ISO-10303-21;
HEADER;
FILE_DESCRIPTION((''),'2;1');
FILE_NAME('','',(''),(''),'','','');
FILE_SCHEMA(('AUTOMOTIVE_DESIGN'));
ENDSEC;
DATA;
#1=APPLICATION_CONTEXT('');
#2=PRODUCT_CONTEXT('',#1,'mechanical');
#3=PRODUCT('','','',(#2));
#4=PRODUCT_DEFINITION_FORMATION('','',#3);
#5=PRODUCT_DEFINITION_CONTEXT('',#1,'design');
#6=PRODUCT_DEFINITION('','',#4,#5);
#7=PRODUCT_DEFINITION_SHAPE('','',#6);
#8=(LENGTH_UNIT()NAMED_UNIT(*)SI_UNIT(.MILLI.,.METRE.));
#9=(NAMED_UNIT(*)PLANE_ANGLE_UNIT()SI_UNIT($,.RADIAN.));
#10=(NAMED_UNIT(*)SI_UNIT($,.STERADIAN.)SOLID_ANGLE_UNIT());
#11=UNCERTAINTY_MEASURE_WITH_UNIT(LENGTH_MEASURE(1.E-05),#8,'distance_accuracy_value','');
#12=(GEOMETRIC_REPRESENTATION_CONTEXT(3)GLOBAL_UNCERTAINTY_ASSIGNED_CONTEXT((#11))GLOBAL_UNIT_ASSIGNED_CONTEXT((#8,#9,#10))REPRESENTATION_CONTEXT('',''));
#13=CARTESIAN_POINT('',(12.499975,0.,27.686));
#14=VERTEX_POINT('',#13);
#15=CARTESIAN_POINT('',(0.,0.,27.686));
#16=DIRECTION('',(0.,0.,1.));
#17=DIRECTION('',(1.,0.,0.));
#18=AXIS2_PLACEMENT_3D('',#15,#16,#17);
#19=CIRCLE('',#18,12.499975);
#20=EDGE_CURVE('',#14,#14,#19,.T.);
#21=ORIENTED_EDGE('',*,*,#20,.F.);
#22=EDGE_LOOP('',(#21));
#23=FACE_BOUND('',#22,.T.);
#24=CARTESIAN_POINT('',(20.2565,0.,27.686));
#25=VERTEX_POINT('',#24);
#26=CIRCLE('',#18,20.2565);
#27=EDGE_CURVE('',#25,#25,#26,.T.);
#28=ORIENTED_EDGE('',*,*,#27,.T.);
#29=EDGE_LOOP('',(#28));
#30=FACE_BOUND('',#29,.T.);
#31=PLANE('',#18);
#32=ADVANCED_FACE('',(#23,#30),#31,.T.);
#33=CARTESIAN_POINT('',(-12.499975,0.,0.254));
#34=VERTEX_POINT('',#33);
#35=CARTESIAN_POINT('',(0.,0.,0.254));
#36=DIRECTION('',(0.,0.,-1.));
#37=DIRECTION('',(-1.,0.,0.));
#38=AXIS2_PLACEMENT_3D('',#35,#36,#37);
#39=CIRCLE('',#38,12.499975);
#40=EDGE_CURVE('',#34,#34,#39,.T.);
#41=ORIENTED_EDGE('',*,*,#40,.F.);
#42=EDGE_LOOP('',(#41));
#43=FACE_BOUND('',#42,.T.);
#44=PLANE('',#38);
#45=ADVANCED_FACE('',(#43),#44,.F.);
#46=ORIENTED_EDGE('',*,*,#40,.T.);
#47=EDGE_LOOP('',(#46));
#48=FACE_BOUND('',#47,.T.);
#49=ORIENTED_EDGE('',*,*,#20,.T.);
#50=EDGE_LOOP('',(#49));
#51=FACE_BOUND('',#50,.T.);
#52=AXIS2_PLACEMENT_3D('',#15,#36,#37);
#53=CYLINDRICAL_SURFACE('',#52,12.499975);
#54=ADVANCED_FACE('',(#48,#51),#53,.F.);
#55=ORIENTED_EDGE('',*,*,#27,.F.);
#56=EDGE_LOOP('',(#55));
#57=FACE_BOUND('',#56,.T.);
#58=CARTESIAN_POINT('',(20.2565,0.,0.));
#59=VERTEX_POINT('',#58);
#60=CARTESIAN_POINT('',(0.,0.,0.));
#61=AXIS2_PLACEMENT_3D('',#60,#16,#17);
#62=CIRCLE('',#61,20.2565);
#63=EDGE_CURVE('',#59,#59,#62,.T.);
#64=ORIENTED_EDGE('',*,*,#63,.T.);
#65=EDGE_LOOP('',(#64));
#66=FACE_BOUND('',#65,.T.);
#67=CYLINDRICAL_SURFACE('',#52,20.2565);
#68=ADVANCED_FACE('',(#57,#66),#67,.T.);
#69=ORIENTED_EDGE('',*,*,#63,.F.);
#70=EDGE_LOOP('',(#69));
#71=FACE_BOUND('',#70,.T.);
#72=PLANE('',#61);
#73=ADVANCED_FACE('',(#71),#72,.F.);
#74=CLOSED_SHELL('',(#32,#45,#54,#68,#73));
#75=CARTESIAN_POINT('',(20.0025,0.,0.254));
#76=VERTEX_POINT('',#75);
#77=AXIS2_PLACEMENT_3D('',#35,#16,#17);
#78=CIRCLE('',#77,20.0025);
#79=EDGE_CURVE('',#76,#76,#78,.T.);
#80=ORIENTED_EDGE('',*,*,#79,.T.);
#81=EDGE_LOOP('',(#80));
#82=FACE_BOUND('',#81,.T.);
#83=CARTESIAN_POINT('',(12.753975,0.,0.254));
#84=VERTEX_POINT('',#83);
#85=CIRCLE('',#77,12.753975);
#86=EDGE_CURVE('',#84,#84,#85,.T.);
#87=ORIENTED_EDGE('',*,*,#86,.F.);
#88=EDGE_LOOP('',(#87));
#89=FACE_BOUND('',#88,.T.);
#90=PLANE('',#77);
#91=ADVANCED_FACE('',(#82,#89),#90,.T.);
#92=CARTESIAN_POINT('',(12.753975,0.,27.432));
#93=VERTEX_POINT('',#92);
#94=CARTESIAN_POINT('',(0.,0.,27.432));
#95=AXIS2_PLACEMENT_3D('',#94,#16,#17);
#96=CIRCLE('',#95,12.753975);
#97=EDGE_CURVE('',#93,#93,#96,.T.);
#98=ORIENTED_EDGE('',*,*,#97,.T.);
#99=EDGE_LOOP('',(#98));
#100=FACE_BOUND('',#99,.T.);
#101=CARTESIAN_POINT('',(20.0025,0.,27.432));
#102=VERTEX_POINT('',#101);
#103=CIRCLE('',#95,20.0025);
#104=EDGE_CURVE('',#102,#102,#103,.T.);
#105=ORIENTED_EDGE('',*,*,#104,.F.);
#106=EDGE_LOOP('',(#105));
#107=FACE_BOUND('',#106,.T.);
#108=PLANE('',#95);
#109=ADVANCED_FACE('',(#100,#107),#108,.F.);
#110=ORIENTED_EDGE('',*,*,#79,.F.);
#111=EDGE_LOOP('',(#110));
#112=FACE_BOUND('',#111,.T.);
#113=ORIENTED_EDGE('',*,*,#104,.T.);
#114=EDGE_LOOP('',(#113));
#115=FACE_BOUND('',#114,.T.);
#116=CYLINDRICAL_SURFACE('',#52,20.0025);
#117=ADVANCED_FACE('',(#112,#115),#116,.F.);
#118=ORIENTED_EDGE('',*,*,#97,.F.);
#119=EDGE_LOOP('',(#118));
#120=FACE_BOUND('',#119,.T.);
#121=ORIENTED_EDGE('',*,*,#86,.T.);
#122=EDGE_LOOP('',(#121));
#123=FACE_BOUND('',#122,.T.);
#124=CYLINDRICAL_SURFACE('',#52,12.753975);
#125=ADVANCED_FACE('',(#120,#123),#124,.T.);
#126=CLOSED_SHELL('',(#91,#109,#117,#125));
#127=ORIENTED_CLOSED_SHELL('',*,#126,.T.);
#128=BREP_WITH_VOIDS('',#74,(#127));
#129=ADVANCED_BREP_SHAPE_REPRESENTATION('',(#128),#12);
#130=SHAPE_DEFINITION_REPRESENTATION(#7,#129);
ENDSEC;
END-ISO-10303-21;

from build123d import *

# Parameters (mm, degrees)
SKETCH1_R           = 20.2565
SKETCH1_R_2         = 12.499975
BOSS_EXTRUDE1_DEPTH = 27.686
SHELL1_T            = -0.254
SKETCH2_R           = 12.499975
BOSS_EXTRUDE2_DEPTH = 0.254
BOSS_EXTRUDE3_START = -0.254
SKETCH3_R           = 20.0025
SKETCH3_R_2         = 12.753975
BOSS_EXTRUDE3_DEPTH = 0.254


with BuildPart() as part:
    # Sketch1 → Boss-Extrude1 (new body)
    with BuildSketch(Plane.XY):
        Circle(SKETCH1_R)
        Circle(SKETCH1_R_2, mode=Mode.SUBTRACT)
    extrude(amount=BOSS_EXTRUDE1_DEPTH)

    # Shell1
    shell1_openings = [part.faces().sort_by_distance(p)[0] for p in [
        (-19.683559659, 0, 27.686),
    ]]
    offset(amount=SHELL1_T, openings=shell1_openings, kind=Kind.INTERSECTION)

    # Sketch2 → Boss-Extrude2 (add)
    with BuildSketch(Plane(origin=(0, 0, 0), x_dir=(-1, 0, 0), z_dir=(0, 0, -1))):
        Circle(SKETCH2_R)
    extrude(amount=-BOSS_EXTRUDE2_DEPTH)

    # Sketch3 → Boss-Extrude3 (add)
    with BuildSketch(Plane.XY.offset(27.686).offset(BOSS_EXTRUDE3_START)):
        Circle(SKETCH3_R)
        Circle(SKETCH3_R_2, mode=Mode.SUBTRACT)
    extrude(amount=BOSS_EXTRUDE3_DEPTH)


solid = part.part
